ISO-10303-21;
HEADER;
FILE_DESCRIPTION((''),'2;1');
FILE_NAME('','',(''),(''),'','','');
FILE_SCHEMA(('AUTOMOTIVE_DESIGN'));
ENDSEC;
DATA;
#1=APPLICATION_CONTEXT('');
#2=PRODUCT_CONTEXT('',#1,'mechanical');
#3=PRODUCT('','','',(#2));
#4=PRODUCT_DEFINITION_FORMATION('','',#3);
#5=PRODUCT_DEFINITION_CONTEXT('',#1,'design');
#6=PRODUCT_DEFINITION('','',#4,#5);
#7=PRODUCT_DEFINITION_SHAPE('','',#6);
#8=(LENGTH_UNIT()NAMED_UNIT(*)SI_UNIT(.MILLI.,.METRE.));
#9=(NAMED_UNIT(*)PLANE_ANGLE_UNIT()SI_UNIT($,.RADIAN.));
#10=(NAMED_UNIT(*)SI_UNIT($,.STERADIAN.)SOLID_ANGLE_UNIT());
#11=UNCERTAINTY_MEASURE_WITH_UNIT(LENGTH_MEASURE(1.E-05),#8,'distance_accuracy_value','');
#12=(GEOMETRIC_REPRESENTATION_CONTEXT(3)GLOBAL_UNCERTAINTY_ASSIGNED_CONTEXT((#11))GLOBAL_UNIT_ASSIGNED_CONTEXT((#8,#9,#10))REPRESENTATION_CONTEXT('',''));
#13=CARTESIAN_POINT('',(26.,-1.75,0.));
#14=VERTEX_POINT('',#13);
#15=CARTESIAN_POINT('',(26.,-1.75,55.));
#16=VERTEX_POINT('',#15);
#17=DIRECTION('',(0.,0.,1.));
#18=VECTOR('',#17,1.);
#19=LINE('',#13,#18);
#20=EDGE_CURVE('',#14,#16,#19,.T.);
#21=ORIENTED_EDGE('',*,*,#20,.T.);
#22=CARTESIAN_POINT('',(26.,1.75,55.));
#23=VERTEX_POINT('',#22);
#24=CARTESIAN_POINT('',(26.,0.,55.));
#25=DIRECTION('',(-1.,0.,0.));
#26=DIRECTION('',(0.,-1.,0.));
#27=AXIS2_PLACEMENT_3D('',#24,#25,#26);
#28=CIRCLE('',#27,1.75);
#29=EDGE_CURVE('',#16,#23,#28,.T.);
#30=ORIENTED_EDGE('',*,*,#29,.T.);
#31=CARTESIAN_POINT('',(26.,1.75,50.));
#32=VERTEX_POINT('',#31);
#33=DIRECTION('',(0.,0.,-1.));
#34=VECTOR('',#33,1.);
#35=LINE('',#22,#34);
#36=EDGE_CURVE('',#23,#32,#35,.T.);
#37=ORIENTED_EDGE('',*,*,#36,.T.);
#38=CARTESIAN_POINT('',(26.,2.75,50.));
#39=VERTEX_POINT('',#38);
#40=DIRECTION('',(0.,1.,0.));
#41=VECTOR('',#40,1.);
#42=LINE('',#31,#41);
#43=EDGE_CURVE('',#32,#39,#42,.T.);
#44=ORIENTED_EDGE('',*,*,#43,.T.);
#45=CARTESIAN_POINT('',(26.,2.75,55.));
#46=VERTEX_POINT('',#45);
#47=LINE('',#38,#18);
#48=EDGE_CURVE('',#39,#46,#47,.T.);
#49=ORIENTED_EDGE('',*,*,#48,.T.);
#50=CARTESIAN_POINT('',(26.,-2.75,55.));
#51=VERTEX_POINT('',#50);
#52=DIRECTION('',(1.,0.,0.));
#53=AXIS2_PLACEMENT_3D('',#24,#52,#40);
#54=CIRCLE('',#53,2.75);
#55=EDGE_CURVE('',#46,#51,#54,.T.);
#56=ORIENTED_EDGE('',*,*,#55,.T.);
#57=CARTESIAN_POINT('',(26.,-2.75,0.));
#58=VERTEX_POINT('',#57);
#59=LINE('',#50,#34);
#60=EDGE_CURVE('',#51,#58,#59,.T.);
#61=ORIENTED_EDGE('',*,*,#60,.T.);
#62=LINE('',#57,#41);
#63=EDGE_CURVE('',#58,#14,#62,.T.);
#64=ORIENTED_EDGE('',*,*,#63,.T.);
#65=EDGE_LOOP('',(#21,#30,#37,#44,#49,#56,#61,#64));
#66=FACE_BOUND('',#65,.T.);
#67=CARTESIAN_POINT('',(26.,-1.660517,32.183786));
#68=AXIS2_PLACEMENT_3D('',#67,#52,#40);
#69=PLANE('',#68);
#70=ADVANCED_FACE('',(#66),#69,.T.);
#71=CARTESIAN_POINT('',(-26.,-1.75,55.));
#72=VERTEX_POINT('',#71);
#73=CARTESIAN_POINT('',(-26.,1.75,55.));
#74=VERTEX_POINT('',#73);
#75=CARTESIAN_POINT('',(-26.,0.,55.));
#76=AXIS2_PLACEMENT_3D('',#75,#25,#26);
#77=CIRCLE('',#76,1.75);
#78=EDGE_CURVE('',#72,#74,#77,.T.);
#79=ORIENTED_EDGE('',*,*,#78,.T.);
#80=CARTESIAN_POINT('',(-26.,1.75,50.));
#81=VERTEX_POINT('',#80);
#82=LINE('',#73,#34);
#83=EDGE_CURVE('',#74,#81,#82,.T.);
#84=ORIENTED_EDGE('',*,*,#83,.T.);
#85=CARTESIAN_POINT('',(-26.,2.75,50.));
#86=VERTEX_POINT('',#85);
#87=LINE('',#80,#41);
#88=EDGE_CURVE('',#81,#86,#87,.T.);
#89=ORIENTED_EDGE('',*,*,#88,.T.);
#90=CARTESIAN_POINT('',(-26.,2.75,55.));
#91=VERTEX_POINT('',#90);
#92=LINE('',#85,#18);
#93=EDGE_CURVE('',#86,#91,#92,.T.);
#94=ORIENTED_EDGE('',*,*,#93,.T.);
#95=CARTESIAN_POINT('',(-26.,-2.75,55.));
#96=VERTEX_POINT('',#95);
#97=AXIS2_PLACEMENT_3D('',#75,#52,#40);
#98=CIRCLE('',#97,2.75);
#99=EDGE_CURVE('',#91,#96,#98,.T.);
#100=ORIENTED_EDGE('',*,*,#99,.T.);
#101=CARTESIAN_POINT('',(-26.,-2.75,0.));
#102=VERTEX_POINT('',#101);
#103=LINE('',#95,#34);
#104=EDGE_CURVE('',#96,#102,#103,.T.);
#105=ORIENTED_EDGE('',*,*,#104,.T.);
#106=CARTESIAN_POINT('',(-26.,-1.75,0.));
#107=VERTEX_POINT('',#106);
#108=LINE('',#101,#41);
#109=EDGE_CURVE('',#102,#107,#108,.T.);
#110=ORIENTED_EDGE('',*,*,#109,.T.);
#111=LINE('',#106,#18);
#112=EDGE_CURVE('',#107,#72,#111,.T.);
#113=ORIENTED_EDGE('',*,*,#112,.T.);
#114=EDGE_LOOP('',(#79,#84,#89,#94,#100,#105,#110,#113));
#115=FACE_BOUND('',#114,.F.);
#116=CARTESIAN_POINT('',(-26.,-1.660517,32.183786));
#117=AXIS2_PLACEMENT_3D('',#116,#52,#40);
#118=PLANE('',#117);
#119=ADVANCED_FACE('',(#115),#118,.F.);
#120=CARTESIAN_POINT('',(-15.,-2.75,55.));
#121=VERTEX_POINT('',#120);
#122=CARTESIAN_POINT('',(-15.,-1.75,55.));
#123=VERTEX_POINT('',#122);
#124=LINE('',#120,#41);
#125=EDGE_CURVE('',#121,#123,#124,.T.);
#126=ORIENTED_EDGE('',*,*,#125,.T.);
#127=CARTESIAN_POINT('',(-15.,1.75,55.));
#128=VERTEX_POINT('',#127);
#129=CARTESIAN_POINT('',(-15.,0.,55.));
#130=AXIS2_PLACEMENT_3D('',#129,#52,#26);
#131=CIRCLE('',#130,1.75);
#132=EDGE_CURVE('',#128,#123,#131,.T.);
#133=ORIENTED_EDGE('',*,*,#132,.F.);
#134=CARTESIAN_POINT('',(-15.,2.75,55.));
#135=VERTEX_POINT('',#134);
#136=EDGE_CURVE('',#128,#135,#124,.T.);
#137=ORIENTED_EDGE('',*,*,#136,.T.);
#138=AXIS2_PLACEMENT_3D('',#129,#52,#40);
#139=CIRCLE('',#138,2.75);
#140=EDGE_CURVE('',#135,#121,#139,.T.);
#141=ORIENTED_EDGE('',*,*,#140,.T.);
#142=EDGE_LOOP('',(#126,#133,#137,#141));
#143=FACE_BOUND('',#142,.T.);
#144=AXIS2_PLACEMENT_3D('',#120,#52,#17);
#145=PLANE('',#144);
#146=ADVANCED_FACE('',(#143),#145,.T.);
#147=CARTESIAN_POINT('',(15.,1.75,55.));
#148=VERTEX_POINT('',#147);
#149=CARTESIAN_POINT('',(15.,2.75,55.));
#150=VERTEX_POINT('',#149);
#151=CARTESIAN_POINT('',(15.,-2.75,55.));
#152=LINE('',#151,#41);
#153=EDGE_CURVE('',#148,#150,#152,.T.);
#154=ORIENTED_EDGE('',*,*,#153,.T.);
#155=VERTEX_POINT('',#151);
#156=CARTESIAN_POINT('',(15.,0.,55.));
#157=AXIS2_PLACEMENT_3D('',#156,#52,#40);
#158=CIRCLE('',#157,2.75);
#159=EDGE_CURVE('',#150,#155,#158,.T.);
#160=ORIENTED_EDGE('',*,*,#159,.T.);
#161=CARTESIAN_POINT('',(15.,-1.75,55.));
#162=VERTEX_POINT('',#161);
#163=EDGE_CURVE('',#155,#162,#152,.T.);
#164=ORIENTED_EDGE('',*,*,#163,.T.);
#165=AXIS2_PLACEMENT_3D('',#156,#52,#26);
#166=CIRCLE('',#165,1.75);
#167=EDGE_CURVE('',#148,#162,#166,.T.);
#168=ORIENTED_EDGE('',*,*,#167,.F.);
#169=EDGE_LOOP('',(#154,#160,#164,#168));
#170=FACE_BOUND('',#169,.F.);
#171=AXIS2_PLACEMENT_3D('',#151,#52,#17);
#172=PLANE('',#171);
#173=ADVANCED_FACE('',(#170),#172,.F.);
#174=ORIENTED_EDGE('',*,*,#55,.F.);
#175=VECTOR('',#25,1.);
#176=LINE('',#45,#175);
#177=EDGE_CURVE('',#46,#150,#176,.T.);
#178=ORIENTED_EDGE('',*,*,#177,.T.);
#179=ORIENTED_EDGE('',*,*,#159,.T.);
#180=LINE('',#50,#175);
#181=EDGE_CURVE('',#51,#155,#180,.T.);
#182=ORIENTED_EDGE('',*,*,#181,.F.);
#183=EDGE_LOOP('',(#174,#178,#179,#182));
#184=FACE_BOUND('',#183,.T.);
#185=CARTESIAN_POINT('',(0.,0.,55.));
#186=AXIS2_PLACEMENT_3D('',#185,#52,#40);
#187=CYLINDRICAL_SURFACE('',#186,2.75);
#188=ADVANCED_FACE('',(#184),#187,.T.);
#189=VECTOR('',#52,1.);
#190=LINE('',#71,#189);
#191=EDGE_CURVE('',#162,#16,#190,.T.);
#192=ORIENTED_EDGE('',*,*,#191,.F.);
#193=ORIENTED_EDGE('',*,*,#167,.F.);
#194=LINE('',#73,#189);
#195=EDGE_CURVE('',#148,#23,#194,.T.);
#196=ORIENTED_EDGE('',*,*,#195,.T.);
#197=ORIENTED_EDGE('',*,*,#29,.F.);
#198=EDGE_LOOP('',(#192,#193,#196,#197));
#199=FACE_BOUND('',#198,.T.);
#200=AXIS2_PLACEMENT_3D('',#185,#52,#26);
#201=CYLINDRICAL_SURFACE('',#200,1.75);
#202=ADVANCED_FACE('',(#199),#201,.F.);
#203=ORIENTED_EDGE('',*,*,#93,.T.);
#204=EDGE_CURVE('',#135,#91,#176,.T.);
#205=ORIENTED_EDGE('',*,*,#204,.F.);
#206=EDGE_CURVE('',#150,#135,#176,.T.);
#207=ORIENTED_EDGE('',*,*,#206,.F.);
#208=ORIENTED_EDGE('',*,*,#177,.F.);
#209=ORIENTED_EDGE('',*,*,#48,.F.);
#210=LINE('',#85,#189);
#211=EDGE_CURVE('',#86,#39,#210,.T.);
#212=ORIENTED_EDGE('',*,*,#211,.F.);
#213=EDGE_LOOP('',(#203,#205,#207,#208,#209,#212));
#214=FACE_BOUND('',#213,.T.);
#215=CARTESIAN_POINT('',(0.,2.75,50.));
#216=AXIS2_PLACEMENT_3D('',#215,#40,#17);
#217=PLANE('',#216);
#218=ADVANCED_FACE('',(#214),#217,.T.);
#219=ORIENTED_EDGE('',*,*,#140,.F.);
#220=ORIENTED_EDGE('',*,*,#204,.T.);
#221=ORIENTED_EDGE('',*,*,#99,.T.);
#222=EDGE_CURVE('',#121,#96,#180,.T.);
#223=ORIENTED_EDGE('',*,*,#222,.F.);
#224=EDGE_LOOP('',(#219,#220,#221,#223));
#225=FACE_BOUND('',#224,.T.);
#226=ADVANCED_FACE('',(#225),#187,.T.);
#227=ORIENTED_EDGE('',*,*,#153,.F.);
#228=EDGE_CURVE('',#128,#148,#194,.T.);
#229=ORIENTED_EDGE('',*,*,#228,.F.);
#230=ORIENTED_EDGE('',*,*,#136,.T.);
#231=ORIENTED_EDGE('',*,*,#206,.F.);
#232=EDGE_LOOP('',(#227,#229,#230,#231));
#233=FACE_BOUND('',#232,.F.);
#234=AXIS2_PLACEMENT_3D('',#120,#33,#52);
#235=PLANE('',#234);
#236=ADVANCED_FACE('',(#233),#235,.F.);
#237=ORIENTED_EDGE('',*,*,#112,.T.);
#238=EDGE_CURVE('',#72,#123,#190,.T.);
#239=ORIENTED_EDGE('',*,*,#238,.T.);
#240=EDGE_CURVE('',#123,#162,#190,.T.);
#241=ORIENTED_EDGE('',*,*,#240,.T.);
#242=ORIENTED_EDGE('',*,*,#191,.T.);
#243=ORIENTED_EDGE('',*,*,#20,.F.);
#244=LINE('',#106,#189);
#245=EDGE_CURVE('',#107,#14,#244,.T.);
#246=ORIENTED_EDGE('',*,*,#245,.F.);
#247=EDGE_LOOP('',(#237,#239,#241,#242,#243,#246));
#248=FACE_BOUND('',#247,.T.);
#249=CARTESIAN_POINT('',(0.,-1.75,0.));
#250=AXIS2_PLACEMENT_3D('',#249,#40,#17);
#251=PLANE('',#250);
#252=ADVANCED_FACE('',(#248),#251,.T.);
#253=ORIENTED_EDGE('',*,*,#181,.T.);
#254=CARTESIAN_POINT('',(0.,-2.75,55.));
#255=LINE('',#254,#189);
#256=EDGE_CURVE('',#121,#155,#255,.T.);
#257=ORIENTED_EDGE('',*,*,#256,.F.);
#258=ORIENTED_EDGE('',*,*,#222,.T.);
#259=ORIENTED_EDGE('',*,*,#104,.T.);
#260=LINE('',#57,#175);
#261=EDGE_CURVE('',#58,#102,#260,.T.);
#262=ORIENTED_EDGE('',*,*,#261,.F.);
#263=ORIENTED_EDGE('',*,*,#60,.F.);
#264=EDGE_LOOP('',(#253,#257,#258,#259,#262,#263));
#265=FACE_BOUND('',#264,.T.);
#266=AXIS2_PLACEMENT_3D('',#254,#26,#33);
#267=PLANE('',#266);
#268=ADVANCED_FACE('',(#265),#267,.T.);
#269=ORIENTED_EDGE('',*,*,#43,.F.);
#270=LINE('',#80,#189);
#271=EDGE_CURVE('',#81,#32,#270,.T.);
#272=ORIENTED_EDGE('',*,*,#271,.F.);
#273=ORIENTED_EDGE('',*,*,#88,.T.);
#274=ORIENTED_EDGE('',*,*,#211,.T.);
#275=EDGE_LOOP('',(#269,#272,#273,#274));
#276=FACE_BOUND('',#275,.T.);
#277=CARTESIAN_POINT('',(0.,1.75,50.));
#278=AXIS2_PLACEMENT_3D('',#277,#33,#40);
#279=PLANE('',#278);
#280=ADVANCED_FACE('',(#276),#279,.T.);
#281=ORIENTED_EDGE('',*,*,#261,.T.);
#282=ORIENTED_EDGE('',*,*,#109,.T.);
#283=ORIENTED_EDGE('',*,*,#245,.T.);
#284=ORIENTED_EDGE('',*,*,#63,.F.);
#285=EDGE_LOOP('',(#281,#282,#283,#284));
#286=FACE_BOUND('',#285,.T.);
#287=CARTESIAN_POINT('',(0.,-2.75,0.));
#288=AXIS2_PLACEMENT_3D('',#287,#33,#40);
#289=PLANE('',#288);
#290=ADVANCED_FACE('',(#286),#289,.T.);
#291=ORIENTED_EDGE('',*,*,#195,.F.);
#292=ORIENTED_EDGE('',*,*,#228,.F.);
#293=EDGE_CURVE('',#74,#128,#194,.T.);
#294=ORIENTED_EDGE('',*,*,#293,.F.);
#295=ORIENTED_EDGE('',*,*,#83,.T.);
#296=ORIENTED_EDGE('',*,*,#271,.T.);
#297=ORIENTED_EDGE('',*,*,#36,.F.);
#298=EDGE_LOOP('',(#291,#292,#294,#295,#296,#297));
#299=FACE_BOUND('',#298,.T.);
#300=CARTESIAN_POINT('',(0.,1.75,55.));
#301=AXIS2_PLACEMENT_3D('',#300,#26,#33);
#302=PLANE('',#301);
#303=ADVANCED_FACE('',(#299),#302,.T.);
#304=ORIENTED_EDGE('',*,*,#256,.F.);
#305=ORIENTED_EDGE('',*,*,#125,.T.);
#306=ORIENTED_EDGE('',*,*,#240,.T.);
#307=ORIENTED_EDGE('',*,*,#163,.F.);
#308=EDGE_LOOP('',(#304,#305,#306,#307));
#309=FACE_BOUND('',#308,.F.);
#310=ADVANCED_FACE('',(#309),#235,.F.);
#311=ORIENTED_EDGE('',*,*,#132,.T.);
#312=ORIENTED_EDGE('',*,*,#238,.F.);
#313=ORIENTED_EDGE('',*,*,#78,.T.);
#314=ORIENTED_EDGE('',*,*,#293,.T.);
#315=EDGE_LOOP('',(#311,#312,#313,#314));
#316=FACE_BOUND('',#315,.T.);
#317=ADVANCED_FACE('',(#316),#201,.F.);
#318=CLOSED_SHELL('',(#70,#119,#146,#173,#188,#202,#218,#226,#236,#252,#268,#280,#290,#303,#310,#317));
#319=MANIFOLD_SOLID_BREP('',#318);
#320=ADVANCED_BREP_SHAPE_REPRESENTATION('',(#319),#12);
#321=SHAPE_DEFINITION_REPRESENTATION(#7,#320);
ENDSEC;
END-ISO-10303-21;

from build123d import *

# Parameters (mm, degrees)
F1_DEPTH = 26
F2_W     = 30
F2_H     = 9
F3_DEPTH = 25


with BuildPart() as f1:
    # F0 (on Right) → F1 (new body, symmetric)
    with BuildSketch(Plane.YZ):
        with BuildLine():
            Line((-2.75, 0), (-1.75, 0))
            Line((-1.75, 0), (-1.75, 55))
            ThreePointArc((-1.75, 55), (0, 56.75), (1.75, 55))
            Line((1.75, 55), (1.75, 50))
            Line((1.75, 50), (2.75, 50))
            Line((2.75, 50), (2.75, 55))
            ThreePointArc((2.75, 55), (0, 57.75), (-2.75, 55))
            Line((-2.75, 55), (-2.75, 0))
        make_face()
    extrude(amount=F1_DEPTH, both=True)

    # F2 (on face) → F3 (cut)
    with BuildSketch(Plane.XZ.offset(2.75)):
        with Locations((0, 59.5)):
            Rectangle(F2_W, F2_H)
    extrude(amount=-F3_DEPTH, mode=Mode.SUBTRACT)


solid = f1.part
